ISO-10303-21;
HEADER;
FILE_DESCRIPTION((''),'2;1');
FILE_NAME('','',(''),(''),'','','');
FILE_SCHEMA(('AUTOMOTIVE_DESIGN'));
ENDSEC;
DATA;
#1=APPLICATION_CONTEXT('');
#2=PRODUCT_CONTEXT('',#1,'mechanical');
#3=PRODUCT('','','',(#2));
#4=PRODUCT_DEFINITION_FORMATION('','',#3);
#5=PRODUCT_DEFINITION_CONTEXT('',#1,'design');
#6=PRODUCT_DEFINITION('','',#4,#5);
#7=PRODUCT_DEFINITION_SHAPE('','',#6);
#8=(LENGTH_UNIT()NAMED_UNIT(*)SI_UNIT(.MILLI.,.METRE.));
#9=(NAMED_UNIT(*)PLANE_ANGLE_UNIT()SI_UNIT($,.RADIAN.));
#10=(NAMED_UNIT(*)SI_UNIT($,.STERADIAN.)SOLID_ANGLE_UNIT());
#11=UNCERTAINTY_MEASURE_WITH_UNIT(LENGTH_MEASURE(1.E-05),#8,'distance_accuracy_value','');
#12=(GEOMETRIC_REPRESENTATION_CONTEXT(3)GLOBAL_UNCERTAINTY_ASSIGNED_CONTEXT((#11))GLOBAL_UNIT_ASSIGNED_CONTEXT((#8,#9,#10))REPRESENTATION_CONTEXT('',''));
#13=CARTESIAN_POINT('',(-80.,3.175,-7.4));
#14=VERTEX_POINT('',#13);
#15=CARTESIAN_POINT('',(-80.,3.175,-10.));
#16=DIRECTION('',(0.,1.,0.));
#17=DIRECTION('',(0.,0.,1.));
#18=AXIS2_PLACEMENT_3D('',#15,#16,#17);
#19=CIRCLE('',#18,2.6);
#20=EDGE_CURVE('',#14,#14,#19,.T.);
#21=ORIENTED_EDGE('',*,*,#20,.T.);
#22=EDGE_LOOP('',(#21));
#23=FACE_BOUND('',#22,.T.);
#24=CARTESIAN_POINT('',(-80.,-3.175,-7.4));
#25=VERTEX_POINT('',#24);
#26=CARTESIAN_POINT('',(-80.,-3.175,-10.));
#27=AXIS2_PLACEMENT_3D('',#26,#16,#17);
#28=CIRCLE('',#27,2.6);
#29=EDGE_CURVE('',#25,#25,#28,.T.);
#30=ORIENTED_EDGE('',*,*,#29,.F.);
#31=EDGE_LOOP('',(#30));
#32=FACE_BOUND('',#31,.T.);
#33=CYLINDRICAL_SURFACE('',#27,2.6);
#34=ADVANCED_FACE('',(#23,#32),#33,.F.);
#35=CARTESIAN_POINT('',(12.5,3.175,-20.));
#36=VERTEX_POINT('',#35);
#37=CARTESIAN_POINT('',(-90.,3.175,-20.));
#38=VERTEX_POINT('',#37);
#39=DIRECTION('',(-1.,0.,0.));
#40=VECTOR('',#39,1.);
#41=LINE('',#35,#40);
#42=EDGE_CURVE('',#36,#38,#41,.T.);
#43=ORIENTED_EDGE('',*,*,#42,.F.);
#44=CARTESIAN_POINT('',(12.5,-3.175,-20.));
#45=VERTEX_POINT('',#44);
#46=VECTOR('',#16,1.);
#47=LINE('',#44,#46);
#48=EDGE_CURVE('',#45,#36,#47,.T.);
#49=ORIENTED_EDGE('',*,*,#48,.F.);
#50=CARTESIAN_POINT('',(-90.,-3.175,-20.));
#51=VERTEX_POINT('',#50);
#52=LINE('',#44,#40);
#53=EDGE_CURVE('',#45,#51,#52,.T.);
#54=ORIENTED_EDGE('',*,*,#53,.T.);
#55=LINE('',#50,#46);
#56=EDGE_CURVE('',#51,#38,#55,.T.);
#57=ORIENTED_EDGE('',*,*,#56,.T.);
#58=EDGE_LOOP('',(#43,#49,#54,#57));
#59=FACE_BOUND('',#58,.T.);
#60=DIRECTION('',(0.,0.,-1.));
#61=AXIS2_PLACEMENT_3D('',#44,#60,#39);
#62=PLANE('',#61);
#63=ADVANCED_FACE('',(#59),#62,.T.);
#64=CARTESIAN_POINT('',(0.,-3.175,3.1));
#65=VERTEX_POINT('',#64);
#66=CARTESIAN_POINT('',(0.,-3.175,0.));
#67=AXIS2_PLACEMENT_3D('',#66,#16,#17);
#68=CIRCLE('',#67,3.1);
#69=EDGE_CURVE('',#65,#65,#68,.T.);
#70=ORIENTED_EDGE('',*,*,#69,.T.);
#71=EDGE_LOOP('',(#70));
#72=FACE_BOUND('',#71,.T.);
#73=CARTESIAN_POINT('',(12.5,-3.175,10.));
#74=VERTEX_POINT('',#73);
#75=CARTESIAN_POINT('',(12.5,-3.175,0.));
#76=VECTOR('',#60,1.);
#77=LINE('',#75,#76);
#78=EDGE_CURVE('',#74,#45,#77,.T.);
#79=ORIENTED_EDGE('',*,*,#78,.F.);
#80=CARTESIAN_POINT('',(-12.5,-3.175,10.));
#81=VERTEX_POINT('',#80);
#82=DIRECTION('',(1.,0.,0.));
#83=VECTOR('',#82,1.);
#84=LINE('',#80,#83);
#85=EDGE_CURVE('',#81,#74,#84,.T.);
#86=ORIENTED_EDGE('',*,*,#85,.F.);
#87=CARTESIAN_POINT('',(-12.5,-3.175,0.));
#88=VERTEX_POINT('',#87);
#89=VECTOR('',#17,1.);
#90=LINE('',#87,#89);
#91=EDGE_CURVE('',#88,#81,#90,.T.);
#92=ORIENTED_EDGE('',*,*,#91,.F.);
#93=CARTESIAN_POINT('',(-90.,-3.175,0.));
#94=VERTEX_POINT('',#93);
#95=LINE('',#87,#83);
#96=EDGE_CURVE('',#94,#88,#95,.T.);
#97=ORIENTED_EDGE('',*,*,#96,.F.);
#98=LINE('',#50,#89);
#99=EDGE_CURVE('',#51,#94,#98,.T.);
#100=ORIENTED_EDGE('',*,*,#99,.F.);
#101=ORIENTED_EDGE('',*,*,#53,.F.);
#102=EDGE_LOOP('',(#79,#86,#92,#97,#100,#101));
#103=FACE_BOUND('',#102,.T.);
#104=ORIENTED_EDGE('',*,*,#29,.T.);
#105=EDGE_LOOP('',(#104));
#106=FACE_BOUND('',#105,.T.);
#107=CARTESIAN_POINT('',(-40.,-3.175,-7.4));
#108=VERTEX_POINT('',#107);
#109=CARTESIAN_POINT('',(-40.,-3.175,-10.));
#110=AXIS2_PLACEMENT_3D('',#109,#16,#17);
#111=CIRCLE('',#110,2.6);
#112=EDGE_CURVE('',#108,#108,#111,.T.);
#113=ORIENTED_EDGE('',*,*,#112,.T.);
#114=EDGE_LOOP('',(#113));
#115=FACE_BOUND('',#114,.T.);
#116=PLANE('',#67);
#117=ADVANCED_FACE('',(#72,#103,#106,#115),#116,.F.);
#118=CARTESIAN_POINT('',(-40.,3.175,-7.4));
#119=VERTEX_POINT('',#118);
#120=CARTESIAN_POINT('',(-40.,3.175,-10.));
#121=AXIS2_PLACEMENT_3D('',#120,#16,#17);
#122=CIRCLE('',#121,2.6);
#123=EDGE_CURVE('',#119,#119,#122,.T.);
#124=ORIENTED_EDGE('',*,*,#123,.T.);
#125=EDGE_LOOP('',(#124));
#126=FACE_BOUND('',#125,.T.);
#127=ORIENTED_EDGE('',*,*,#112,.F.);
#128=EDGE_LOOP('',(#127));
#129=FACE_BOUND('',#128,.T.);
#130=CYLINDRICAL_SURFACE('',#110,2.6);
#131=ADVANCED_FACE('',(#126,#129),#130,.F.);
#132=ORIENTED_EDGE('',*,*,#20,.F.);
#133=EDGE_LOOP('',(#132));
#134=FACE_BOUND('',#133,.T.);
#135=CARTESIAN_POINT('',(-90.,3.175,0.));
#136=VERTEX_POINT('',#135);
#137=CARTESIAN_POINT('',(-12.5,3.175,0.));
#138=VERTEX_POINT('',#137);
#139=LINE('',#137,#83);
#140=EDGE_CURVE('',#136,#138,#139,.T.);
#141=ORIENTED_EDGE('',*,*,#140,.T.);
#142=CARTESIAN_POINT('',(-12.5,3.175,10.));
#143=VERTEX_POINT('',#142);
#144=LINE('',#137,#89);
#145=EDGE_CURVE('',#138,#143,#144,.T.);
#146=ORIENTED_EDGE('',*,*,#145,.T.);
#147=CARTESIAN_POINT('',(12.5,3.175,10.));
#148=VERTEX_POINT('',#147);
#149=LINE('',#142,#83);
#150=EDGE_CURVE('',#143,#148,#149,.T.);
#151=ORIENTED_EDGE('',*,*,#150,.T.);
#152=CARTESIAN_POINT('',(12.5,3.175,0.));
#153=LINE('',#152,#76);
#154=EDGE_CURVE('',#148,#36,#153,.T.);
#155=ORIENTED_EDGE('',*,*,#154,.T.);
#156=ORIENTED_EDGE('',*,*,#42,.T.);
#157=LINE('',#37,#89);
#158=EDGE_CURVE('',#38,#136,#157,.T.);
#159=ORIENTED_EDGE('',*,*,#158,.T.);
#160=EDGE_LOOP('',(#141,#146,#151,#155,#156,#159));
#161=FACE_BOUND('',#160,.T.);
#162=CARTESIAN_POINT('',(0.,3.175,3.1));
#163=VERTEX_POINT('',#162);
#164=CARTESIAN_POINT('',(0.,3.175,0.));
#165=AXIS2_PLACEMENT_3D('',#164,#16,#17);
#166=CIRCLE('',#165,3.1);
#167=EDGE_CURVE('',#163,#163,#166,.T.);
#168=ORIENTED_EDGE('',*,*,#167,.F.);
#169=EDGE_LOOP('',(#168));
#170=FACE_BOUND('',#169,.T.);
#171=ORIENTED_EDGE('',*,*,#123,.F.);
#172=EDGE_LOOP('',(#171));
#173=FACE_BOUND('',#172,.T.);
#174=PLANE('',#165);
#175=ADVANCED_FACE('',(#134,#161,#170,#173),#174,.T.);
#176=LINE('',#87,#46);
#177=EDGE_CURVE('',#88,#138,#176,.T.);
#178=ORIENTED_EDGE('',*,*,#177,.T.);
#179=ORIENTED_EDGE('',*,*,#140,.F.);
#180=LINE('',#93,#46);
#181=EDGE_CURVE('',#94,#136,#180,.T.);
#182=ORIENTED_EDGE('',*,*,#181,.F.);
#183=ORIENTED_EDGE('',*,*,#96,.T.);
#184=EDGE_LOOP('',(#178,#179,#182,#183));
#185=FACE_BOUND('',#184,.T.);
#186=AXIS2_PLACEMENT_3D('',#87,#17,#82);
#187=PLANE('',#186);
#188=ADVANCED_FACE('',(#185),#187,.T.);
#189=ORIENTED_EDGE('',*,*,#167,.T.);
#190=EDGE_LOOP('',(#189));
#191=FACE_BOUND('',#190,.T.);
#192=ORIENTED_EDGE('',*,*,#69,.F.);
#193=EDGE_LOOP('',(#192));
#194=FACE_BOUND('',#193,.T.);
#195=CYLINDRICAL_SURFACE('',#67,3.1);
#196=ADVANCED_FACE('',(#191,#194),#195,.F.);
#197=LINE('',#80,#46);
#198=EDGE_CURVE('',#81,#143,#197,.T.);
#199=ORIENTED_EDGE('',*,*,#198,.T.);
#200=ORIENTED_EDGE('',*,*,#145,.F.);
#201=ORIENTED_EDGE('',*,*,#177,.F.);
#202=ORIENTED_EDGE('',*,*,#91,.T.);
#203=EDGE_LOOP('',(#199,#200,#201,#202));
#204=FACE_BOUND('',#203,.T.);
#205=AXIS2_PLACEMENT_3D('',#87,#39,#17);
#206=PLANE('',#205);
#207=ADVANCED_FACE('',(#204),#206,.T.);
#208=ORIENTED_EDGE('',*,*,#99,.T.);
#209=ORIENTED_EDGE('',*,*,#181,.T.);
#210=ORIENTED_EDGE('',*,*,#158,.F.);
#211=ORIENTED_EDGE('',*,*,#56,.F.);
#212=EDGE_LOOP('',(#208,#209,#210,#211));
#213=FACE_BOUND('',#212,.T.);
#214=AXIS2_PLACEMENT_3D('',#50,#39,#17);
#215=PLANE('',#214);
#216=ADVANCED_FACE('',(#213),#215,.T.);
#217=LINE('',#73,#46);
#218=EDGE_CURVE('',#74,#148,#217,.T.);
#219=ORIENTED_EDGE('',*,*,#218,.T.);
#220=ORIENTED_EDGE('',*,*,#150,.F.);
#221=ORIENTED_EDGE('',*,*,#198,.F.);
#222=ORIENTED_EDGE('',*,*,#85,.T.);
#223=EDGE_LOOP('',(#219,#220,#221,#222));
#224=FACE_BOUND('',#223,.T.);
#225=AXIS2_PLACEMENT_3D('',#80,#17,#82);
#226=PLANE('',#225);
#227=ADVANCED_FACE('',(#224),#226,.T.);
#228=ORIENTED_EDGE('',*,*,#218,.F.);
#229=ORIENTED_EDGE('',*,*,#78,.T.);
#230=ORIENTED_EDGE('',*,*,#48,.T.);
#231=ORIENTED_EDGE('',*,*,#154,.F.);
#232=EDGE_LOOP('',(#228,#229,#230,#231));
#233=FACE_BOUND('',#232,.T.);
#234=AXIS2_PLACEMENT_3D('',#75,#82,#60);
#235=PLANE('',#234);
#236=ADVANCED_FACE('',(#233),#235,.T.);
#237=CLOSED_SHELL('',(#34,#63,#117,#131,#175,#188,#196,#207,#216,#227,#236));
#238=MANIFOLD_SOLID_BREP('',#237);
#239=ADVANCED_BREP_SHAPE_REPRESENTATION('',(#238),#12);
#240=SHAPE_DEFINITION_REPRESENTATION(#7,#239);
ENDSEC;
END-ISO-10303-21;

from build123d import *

# Parameters (mm, degrees)
BOSS_EXTRUDE1_DEPTH      = 3.175
BOSS_EXTRUDE1_DEPTH_BACK = 3.175
SKETCH1_R                = 3.1
SKETCH1_R_2              = 2.6


with BuildPart() as part:
    # Sketch1 → Boss-Extrude1 (new, two sides: drawn at the far end of the back side and taken through both)
    with BuildSketch(Plane(origin=(0, 0, 0), x_dir=(1, 0, 0), z_dir=(0, 1, 0)).offset(-BOSS_EXTRUDE1_DEPTH_BACK)):
        Polygon((-12.5, 0), (-12.5, -10), (12.5, -10), (12.5, 0), (12.5, 20), (-90, 20), (-90, 0), align=None)
        Circle(SKETCH1_R, mode=Mode.SUBTRACT)
        with Locations((-40, 10)):
            Circle(SKETCH1_R_2, mode=Mode.SUBTRACT)
        with Locations((-80, 10)):
            Circle(SKETCH1_R_2, mode=Mode.SUBTRACT)
    extrude(amount=BOSS_EXTRUDE1_DEPTH + BOSS_EXTRUDE1_DEPTH_BACK)


solid = part.part
